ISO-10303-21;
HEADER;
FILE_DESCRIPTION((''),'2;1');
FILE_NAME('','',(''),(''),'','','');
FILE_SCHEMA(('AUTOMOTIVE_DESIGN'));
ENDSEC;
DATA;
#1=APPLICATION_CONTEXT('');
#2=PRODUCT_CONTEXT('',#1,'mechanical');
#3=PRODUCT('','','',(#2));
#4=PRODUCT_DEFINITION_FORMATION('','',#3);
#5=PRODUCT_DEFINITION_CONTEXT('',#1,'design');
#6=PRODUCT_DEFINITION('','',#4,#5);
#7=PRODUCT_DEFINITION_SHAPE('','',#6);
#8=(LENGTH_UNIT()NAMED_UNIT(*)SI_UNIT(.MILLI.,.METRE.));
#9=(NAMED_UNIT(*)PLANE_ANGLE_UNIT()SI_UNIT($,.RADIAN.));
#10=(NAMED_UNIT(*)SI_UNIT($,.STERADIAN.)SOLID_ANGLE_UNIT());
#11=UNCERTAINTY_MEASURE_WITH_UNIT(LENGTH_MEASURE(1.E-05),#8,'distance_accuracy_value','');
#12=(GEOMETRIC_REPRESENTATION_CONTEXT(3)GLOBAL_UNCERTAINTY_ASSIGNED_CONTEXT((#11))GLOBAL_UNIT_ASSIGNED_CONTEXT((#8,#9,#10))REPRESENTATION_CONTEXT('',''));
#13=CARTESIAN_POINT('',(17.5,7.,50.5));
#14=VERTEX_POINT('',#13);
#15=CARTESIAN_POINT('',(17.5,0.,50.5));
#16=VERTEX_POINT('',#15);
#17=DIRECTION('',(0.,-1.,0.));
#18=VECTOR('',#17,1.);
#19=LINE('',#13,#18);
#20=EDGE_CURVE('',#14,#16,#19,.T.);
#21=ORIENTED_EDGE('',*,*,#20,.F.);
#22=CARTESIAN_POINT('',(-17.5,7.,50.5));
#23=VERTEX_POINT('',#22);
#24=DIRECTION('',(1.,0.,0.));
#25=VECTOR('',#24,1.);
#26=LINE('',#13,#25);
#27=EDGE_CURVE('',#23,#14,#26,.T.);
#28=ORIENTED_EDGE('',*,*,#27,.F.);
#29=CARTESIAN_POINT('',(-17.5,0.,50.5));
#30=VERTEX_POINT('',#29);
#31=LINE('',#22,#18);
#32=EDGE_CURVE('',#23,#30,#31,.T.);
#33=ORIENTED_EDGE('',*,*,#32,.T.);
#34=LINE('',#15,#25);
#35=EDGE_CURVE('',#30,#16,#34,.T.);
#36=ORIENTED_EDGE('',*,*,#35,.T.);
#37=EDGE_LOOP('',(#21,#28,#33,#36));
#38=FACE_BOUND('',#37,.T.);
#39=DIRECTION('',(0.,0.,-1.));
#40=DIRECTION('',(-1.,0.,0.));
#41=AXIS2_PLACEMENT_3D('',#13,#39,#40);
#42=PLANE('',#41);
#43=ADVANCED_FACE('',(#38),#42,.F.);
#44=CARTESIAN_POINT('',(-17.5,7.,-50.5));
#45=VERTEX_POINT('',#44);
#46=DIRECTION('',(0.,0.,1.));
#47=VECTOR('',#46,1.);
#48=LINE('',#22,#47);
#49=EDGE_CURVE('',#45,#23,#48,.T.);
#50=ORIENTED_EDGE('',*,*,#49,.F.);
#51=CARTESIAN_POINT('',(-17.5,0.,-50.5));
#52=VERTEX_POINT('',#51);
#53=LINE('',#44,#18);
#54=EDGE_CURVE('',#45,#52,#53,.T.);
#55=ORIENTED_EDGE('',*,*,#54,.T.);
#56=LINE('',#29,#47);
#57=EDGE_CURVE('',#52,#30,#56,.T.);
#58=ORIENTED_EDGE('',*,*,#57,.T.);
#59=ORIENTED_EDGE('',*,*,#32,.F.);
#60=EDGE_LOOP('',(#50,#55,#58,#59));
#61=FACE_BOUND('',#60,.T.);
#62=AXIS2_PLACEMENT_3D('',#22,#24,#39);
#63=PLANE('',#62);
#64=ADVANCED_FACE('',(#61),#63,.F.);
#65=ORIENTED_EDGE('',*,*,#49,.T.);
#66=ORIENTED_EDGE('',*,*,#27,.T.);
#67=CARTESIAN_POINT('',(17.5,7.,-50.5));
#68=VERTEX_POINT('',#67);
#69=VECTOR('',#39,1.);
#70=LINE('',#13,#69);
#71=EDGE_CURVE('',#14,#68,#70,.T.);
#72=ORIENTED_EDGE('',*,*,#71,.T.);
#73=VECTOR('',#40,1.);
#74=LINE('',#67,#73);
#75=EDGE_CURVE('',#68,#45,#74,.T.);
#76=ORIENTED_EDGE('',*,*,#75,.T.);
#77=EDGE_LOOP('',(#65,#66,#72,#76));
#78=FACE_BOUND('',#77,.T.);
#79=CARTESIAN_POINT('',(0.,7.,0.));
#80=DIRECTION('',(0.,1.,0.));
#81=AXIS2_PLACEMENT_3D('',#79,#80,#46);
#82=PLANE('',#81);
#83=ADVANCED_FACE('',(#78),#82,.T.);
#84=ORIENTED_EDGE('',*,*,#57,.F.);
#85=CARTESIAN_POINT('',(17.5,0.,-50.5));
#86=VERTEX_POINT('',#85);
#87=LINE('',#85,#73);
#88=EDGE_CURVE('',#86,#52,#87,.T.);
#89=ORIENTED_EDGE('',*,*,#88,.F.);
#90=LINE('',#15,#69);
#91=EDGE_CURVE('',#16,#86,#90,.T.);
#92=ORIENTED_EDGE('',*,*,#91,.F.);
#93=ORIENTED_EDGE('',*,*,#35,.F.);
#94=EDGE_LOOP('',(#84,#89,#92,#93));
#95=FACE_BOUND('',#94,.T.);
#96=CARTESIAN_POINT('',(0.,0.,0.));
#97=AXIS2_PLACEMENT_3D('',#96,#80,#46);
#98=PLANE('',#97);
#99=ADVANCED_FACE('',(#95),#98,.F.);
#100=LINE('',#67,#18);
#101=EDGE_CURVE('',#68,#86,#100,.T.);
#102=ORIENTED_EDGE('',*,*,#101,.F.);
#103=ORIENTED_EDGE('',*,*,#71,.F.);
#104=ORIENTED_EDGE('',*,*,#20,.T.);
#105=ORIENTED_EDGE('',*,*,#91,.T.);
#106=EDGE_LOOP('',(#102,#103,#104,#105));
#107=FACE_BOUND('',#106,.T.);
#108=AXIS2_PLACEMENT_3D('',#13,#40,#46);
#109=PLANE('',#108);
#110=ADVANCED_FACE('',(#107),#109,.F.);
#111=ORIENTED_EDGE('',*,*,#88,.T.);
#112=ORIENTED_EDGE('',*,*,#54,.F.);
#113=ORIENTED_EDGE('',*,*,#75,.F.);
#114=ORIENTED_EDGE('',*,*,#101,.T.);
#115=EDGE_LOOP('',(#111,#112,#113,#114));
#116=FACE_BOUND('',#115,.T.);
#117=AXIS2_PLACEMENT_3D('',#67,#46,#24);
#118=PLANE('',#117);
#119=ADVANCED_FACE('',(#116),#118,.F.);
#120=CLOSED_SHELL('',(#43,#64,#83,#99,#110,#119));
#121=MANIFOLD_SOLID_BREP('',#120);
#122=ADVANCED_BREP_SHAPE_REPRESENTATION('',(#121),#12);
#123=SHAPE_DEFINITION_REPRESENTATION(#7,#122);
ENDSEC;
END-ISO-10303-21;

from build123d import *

# Parameters (mm, degrees)
SKETCH1_W           = 35
SKETCH1_H           = 101
BOSS_EXTRUDE1_DEPTH = 7


with BuildPart() as part:
    # Sketch1 → Boss-Extrude1 (new body)
    with BuildSketch(Plane(origin=(0, 0, 0), x_dir=(1, 0, 0), z_dir=(0, 1, 0))):
        Rectangle(SKETCH1_W, SKETCH1_H)
    extrude(amount=BOSS_EXTRUDE1_DEPTH)


solid = part.part
